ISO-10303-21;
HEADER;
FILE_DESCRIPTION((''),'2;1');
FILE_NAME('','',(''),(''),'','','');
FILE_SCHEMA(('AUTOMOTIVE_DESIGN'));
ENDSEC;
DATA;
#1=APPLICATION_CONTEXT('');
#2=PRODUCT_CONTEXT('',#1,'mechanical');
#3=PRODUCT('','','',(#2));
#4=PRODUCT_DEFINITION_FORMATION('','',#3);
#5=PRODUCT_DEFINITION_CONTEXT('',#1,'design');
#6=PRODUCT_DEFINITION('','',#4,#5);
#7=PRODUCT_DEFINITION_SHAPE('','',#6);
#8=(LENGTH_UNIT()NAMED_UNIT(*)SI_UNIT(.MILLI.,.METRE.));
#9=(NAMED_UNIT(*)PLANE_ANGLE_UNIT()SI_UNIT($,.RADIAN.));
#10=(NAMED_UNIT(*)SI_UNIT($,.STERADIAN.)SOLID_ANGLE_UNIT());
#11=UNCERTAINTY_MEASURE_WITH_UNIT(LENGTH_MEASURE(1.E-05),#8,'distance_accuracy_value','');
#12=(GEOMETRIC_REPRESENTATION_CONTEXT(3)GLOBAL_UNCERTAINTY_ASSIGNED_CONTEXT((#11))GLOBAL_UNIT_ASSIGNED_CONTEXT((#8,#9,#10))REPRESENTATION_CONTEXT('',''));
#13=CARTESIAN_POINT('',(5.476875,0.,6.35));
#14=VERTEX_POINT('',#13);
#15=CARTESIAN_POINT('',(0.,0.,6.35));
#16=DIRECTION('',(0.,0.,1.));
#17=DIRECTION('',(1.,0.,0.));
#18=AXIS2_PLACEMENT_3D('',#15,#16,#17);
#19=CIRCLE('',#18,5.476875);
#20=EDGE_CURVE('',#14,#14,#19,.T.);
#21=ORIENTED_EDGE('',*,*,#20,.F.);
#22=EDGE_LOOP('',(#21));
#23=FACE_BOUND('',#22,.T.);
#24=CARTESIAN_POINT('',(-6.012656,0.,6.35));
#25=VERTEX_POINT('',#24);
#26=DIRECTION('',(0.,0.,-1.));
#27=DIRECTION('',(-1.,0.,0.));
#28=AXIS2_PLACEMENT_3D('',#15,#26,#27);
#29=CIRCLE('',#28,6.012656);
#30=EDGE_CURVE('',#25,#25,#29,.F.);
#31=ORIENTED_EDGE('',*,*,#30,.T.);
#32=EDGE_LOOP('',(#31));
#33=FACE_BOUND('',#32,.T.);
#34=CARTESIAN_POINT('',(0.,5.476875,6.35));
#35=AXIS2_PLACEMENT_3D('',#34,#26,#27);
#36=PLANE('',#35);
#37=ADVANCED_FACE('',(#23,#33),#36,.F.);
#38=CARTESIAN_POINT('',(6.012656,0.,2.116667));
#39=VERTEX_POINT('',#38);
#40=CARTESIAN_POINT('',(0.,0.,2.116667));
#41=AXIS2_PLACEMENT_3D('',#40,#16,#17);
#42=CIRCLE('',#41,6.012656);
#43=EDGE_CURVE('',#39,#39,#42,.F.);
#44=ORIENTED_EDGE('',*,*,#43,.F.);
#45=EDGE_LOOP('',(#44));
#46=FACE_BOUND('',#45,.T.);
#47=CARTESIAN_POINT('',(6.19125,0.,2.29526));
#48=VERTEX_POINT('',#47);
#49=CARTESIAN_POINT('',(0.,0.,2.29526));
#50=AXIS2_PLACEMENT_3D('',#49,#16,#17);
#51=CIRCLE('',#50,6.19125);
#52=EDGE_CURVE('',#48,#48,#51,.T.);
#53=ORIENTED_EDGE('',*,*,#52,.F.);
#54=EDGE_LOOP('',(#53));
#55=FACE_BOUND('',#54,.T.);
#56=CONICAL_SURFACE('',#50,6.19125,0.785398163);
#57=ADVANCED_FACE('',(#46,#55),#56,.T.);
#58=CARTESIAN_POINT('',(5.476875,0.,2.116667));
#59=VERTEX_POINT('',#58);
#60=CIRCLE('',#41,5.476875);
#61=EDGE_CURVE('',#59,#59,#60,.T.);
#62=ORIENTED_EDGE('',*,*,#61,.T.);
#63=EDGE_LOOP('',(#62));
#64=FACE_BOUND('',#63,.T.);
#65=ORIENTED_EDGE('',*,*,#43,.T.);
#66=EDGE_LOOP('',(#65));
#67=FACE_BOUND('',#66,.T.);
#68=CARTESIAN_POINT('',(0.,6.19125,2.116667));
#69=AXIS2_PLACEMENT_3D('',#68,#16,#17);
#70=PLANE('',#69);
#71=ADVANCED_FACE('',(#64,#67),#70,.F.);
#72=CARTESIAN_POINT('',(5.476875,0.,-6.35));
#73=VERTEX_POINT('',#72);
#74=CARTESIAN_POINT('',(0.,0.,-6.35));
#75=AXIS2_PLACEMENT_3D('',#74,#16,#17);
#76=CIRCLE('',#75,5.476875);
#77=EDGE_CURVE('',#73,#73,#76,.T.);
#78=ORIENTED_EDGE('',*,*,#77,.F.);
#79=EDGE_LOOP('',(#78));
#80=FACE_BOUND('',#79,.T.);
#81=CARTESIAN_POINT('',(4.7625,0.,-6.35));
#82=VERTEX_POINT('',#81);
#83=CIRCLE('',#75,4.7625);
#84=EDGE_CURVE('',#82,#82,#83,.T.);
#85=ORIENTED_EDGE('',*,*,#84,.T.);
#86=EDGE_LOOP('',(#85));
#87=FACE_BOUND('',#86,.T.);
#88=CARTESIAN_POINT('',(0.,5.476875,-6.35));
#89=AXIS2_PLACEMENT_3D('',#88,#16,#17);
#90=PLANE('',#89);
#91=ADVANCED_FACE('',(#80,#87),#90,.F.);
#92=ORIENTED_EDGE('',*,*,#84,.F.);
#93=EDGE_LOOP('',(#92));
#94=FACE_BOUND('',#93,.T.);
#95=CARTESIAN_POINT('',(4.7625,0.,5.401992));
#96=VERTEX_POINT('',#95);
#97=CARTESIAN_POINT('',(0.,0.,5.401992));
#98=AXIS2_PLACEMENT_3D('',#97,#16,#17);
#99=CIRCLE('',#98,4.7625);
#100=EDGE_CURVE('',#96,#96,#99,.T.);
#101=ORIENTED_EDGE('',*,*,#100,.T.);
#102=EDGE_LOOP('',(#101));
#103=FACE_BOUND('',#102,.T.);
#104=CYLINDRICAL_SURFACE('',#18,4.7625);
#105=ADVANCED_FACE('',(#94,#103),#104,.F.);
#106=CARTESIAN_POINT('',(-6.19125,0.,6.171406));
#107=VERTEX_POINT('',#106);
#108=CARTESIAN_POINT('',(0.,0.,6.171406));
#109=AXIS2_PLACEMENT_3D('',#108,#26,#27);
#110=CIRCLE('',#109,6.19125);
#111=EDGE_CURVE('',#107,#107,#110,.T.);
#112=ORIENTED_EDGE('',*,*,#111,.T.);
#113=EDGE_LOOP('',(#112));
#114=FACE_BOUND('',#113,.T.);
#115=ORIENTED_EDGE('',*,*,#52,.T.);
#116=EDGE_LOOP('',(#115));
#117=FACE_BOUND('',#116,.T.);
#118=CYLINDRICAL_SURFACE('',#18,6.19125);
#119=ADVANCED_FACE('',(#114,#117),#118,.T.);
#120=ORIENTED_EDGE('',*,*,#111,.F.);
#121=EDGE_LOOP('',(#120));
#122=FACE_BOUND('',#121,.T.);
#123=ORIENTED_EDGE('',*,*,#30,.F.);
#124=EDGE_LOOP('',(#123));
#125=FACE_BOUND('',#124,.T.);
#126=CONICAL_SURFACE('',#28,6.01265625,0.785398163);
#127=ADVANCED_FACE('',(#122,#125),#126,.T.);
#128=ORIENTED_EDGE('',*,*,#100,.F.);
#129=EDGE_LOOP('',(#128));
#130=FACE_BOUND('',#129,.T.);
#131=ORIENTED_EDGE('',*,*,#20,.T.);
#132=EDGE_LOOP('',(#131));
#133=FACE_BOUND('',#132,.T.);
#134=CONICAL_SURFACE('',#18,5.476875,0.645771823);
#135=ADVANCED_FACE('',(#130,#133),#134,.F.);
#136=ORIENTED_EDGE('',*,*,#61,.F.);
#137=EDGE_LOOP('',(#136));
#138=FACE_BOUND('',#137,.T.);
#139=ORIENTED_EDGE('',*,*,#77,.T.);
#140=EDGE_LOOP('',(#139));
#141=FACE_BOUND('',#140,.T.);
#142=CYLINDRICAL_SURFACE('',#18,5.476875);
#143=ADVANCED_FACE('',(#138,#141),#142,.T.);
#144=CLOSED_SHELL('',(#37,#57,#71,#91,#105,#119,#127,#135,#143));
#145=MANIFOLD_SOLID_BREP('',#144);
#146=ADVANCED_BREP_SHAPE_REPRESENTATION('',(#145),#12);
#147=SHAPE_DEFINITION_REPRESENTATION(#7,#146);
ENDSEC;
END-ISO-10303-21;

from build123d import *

# Parameters (mm, degrees)
CHAMFER1_SIZE = 0.17859375


with BuildPart() as part:
    # Sketch2 → Revolve1 (revolve)
    with BuildSketch(Plane(origin=(0, 0, 0), x_dir=(0, 0, -1), z_dir=(1, 0, 0)), mode=Mode.PRIVATE) as revolve1_sk:
        Polygon((-5.401992356, 4.7625), (-6.35, 5.476875), (-6.35, 6.19125), (-2.116666667, 6.19125), (-2.116666667, 5.476875), (6.35, 5.476875), (6.35, 4.7625), align=None)
    revolve(revolve1_sk.sketch.rotate(Axis((0, 0, 6.35), (0, 0, -1)), 90), axis=Axis((0, 0, 6.35), (0, 0, -1)))

    # Chamfer1
    chamfer1_edges = [part.edges().sort_by_distance(p)[0] for p in [
        (-6.19125, 0, 2.116666667),
        (-6.19125, 0, 6.35),
    ]]
    chamfer(chamfer1_edges, length=CHAMFER1_SIZE)


solid = part.part
